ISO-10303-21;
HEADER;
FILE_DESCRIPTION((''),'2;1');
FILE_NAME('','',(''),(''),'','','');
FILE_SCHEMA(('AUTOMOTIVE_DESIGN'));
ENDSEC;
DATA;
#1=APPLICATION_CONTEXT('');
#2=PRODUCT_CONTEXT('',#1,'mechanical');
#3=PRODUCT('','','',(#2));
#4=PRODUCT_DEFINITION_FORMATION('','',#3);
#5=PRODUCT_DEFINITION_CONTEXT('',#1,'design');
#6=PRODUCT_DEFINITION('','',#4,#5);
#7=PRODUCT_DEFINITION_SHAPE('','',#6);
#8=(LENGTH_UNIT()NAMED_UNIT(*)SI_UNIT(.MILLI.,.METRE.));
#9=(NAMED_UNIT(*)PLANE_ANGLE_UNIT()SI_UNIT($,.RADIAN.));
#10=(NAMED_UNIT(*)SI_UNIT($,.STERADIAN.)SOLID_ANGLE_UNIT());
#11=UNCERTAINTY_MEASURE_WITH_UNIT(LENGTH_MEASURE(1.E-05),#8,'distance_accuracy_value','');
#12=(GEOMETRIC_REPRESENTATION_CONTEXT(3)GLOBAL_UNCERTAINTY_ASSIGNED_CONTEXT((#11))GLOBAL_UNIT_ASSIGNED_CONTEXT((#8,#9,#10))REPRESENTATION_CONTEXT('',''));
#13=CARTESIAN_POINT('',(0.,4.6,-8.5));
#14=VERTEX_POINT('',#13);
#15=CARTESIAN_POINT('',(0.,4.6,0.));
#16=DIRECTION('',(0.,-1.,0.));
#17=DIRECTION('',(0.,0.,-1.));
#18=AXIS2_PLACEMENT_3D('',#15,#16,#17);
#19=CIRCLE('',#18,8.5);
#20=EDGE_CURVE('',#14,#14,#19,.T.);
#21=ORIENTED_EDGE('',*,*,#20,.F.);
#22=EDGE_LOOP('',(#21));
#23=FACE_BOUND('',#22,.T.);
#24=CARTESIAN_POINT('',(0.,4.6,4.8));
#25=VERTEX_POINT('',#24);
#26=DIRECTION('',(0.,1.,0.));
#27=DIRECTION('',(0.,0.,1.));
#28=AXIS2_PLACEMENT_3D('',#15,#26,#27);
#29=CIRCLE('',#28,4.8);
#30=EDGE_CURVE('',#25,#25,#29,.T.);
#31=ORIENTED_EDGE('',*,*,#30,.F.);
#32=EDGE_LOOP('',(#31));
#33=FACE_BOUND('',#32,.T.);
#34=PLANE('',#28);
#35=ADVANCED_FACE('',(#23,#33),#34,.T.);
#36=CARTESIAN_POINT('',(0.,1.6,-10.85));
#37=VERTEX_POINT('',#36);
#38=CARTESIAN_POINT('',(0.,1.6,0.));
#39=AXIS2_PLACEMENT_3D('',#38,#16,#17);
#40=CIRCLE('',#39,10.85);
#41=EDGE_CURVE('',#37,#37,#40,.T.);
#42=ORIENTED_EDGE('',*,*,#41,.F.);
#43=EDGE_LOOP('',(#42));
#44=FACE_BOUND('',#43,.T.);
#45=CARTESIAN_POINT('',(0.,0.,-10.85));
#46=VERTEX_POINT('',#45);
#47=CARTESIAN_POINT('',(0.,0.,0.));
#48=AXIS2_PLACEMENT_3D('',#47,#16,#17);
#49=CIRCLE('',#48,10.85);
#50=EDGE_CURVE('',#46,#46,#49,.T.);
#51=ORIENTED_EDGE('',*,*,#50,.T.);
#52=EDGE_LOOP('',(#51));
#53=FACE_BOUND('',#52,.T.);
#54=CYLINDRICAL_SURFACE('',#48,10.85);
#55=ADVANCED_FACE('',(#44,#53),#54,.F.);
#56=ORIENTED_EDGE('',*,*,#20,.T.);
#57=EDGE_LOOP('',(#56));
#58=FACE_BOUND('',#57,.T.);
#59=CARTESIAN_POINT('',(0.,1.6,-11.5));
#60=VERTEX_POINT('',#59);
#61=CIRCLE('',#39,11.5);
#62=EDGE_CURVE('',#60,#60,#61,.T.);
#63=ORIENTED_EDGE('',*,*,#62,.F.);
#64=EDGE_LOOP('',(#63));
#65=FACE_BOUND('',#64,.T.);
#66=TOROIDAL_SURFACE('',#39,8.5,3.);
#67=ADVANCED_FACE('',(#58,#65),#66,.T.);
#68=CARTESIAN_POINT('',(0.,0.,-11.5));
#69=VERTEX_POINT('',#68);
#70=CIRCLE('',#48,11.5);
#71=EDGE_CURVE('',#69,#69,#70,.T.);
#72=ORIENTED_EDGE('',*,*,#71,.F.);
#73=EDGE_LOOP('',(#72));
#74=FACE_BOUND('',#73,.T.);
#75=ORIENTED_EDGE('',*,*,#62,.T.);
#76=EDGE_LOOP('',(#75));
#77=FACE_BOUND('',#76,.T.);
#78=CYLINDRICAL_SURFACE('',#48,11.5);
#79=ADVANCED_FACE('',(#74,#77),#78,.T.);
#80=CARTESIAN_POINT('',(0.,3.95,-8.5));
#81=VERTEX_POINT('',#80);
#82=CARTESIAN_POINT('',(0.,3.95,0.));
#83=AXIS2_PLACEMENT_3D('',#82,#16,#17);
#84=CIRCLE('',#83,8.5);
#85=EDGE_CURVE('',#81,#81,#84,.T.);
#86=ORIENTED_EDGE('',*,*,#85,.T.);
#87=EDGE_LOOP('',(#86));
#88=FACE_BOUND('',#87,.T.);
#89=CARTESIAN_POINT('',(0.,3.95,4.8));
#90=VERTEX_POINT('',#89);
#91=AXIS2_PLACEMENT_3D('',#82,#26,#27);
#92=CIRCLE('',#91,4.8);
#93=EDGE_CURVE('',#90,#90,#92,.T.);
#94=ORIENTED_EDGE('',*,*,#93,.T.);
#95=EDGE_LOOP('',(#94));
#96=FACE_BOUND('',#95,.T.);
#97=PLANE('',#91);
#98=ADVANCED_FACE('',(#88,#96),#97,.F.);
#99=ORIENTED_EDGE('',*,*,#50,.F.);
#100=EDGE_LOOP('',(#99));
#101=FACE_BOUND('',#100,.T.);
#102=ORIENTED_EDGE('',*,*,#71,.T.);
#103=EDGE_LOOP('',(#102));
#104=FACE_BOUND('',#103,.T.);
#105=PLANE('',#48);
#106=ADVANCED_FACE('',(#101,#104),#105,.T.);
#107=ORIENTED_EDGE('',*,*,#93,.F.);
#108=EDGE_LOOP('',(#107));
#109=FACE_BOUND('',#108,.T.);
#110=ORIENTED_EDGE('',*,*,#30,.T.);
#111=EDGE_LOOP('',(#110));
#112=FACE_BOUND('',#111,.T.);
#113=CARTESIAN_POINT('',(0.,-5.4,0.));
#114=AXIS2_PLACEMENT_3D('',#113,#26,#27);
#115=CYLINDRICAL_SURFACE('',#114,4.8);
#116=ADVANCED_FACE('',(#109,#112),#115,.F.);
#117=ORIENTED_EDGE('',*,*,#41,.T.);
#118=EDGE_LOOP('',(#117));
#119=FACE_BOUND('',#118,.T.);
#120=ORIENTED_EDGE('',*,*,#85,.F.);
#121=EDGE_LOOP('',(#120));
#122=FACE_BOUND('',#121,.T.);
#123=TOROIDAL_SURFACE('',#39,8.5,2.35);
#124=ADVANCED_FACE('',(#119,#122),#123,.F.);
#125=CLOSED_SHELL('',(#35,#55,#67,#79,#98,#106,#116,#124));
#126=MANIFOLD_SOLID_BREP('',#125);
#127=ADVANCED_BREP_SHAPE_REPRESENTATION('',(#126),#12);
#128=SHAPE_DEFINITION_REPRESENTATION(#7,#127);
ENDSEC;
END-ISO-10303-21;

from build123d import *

# Parameters (mm, degrees)
SHELL1_T           = -0.65
SKETCH2_R          = 4.8
CUT_EXTRUDE1_DEPTH = 10


with BuildPart() as part:
    # Sketch1 → Revolve1 (revolve)
    with BuildSketch(Plane.XY, mode=Mode.PRIVATE) as revolve1_sk:
        with BuildLine():
            Line((0, 0), (11.5, 0))
            Line((11.5, 0), (11.5, 1.6))
            ThreePointArc((11.5, 1.6), (10.621320344, 3.721320344), (8.5, 4.6))
            Line((8.5, 4.6), (0, 4.6))
            Line((0, 4.6), (0, 0))
        make_face()
    revolve(revolve1_sk.sketch.rotate(Axis((0, 0, 0), (0, 1, 0)), 90), axis=Axis((0, 0, 0), (0, 1, 0)))

    # Shell1
    shell1_openings = [part.faces().sort_by_distance(p)[0] for p in [
        (0, 0, 0),
    ]]
    offset(amount=SHELL1_T, openings=shell1_openings, kind=Kind.INTERSECTION)

    # Sketch2 → Cut-Extrude1 (cut)
    with BuildSketch(Plane(origin=(0, 4.6, 0), x_dir=(1, 0, 0), z_dir=(0, 1, 0))):
        with Locations(Location((0, 0, 0), (0, 0, 270))):
            Circle(SKETCH2_R)
    extrude(amount=-CUT_EXTRUDE1_DEPTH, mode=Mode.SUBTRACT)


solid = part.part
